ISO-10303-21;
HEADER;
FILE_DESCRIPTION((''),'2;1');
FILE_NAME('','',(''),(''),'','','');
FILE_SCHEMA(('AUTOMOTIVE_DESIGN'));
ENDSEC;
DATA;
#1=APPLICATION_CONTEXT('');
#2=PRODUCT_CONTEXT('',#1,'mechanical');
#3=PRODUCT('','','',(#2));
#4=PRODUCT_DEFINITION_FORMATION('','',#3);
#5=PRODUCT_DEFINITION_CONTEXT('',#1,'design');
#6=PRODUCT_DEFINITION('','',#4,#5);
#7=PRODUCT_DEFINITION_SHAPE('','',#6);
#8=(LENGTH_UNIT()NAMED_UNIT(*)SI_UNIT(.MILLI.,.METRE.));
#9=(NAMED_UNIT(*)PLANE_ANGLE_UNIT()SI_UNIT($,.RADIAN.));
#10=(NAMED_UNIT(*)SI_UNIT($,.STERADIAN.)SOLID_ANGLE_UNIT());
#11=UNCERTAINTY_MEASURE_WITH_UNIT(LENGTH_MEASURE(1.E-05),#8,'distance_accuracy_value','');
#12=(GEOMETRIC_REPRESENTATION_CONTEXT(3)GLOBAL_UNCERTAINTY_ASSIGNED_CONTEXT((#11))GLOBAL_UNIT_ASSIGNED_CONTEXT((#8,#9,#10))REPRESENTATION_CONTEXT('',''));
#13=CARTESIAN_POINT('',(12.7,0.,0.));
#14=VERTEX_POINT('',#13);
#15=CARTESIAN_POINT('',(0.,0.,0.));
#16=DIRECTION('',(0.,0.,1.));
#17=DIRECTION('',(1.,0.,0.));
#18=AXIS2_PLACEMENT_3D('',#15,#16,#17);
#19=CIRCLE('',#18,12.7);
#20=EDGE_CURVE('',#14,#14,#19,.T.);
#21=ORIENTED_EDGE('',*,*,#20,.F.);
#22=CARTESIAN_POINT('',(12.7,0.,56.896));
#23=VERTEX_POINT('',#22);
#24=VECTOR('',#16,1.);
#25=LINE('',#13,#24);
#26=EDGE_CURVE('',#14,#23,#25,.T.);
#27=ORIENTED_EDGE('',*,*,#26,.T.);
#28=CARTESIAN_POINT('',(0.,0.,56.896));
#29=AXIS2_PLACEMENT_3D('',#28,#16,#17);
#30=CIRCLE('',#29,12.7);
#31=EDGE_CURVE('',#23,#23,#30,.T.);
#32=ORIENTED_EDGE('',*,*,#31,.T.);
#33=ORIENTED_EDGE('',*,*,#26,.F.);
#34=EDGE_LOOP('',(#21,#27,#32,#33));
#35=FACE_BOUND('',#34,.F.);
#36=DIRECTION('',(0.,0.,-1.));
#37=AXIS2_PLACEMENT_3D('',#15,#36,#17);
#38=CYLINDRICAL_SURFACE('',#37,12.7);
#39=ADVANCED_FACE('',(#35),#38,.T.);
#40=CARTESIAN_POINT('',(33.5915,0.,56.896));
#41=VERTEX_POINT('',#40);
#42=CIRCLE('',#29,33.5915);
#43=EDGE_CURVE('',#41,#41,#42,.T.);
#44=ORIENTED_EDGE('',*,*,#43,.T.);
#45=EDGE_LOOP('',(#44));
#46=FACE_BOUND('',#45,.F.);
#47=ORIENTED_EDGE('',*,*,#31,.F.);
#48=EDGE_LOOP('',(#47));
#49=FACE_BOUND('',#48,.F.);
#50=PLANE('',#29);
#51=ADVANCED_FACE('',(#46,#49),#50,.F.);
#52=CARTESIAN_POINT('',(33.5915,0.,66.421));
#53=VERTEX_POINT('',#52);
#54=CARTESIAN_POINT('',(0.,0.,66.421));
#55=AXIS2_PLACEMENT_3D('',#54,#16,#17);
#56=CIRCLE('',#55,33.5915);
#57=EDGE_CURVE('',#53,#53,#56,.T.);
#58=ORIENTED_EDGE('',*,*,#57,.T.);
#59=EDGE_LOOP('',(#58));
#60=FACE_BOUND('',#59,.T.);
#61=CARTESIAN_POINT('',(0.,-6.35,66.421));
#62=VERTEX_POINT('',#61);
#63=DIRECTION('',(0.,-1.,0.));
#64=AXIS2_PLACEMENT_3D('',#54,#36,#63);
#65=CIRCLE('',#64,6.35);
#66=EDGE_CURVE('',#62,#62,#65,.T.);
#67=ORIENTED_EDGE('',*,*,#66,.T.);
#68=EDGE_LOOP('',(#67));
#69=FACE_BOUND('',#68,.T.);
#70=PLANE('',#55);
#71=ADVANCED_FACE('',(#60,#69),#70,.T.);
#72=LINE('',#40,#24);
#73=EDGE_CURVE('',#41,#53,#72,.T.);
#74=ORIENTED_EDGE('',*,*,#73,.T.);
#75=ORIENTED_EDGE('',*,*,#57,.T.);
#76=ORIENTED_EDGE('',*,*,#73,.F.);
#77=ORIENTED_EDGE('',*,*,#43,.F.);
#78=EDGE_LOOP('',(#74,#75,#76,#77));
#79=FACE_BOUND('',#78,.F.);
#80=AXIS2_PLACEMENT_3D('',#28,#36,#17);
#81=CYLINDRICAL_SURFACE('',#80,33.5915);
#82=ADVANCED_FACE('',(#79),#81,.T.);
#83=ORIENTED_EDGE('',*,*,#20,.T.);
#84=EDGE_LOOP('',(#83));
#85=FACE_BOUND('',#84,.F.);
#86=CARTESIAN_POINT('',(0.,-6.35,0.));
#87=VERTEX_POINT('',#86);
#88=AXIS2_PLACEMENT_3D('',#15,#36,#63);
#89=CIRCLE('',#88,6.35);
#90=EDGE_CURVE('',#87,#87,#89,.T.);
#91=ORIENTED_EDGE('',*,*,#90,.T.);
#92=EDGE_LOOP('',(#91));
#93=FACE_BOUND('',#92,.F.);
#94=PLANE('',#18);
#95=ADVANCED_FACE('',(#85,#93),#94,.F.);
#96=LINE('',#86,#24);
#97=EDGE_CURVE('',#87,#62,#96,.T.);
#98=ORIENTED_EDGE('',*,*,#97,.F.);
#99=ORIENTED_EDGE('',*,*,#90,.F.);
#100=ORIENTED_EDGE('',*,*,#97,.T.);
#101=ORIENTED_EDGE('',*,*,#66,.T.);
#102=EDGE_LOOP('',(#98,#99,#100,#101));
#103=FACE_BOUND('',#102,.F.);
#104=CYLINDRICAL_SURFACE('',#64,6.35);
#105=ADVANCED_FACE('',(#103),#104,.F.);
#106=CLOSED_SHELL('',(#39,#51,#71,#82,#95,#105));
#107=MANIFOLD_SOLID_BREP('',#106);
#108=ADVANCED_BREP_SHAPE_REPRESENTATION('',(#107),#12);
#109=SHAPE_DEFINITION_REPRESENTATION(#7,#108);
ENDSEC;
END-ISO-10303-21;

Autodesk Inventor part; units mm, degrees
ref_plane "YZ Plane" through (0, 0, 0) normal (1, 0, 0) x (0, 1, 0)
ref_plane "XZ Plane" through (0, 0, 0) normal (0, 1, 0) x (-1, 0, 0)
ref_plane "XY Plane" through (0, 0, 0) normal (0, 0, 1) x (1, 0, 0)
sketch "Sketch1" plane through (0, 0, 0) normal (0, 0, 1) x (1, 0, 0)
  circle A0 centre (0, 0) radius 12.7
  dimension "d0" = 25.4
extrude "Extrusion1" add sketch "Sketch1" along normal blind 56.896
sketch "Sketch2" plane through (0, 0, 56.896) normal (0, 0, 1) x (1, 0, 0)
  circle A0 centre (0, 0) radius 6.35
  dimension "d4" = 12.7
hole "Hole1" at (0, 0, 56.896) direction (0, 0, -1) diameter 12.7 end through all
sketch "Sketch5" plane through (0, 0, 56.896) normal (0, 0, 1) x (1, 0, 0)
  circle A0 centre (0, 0) radius 33.5915
  dimension "d12" = 67.183
extrude "Extrusion2" add sketch "Sketch5" along normal blind 9.525
sketch "Sketch6" plane through (0, 0, 66.421) normal (0, 0, 1) x (1, 0, 0)
  circle A0 centre (0, 0) radius 6.35
hole "Hole2" at (0, 0, 66.421) direction (0, 0, -1) diameter 12.7 end through all
properties part number "SubSprocketNoTeeth"
